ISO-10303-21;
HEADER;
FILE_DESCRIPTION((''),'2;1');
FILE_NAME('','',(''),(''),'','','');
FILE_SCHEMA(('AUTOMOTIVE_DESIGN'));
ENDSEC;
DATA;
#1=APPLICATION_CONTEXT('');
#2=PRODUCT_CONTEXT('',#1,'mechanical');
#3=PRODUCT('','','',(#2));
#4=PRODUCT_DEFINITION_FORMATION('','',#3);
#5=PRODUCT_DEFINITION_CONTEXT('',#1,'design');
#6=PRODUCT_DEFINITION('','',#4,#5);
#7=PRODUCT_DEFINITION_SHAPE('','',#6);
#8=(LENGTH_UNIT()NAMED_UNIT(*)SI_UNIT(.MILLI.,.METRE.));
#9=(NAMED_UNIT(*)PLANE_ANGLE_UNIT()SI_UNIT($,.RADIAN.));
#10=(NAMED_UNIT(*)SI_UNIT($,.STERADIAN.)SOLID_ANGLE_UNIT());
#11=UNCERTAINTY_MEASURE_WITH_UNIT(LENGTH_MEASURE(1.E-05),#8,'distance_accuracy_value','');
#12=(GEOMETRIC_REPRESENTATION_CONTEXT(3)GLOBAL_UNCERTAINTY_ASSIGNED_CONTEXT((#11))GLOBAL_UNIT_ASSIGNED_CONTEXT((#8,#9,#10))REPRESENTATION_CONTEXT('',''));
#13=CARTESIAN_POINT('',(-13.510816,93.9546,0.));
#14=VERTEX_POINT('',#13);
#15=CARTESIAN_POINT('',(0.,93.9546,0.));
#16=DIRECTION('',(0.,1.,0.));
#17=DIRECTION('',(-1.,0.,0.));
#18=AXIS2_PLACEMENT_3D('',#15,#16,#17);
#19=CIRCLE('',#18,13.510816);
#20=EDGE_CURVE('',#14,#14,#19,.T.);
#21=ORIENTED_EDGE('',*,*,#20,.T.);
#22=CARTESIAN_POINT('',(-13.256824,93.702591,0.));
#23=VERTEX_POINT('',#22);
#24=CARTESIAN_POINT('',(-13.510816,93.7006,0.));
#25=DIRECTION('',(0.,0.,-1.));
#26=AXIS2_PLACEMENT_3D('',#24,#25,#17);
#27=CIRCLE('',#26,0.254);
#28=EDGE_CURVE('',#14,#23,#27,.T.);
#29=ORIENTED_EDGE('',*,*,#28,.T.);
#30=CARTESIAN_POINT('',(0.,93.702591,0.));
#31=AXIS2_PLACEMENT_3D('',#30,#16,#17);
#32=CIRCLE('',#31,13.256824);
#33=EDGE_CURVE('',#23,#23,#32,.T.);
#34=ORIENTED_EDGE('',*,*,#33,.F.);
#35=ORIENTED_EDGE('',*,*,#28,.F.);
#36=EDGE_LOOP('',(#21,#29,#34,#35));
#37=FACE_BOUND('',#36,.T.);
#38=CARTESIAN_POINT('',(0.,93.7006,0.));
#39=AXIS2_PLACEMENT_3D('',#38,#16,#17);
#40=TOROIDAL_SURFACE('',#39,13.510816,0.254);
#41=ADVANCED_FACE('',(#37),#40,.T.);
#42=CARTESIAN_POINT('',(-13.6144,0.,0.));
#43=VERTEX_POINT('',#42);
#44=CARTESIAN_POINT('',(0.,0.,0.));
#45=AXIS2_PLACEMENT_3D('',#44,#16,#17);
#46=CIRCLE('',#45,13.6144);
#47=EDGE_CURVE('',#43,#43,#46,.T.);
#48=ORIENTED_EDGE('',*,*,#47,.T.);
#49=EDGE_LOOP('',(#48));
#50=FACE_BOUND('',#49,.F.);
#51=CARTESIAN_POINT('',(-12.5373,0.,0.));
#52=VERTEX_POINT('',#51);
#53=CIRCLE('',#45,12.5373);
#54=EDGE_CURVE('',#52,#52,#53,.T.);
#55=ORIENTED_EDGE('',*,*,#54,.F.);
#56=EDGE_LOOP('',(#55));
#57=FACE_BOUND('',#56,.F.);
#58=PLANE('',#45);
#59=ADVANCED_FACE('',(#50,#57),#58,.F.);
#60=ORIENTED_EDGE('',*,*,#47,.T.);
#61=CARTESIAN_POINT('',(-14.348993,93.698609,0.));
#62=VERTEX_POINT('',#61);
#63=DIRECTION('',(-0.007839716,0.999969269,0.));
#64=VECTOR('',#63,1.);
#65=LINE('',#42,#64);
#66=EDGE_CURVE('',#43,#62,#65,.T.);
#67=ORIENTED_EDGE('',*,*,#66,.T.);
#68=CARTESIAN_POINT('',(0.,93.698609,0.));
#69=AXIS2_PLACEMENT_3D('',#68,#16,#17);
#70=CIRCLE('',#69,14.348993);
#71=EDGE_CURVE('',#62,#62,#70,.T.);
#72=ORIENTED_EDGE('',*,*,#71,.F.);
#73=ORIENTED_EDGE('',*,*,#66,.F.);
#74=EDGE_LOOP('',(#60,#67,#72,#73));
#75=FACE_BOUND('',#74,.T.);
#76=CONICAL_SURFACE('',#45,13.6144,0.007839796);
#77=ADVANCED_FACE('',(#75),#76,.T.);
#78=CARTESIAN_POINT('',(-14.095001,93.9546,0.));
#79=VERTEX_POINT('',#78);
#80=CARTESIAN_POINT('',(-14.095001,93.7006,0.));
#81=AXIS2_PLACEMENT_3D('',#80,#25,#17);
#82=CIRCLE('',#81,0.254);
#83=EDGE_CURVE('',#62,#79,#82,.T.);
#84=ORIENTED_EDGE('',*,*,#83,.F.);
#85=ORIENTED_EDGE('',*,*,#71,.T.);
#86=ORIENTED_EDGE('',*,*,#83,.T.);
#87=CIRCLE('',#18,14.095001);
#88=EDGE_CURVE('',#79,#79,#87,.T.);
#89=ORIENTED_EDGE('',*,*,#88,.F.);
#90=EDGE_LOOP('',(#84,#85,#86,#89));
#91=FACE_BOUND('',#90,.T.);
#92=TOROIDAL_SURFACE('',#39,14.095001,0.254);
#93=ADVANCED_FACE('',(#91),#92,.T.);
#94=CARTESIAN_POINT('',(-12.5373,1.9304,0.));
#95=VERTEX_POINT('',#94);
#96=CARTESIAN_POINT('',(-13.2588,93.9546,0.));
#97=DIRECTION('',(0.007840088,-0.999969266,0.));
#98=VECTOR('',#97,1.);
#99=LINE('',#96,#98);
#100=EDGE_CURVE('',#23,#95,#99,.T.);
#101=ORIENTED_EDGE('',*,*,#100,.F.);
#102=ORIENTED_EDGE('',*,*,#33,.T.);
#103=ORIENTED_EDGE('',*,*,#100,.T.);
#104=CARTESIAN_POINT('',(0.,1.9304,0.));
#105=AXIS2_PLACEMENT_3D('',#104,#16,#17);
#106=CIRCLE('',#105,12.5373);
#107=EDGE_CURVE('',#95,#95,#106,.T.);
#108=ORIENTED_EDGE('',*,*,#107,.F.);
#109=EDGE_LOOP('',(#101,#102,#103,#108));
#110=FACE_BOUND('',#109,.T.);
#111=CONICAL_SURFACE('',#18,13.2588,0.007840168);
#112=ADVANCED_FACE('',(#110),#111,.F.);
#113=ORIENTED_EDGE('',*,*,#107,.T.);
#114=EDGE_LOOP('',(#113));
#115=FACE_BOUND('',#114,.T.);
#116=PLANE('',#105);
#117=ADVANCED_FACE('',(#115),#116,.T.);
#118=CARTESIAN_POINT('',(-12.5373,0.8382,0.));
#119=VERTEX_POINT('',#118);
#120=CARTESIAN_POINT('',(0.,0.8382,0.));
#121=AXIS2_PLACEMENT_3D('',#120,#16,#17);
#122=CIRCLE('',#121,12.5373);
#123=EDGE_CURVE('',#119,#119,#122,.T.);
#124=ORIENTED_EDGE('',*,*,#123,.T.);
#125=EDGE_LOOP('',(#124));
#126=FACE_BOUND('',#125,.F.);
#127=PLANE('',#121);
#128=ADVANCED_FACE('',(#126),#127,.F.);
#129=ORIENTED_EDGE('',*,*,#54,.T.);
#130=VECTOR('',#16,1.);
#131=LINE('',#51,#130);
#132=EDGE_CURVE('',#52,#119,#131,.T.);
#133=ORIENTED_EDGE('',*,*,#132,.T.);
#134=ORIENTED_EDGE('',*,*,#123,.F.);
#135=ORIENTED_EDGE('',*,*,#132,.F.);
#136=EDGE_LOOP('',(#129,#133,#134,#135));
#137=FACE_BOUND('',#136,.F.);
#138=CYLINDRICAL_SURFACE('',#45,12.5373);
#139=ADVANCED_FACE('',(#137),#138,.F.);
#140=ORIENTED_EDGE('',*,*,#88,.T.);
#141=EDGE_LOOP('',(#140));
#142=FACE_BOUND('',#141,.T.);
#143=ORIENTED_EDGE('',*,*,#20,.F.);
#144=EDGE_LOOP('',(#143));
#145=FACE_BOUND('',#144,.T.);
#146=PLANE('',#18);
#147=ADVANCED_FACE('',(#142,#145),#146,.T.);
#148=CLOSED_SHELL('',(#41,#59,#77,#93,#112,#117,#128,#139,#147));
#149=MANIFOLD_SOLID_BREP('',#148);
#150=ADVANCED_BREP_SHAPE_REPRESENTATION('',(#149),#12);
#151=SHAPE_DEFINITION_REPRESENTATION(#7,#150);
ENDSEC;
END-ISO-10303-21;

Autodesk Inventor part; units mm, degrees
ref_plane "YZ Plane" through (0, 0, 0) normal (1, 0, 0) x (0, 1, 0)
ref_plane "XZ Plane" through (0, 0, 0) normal (0, 1, 0) x (-1, 0, 0)
ref_plane "XY Plane" through (0, 0, 0) normal (0, 0, 1) x (1, 0, 0)
sketch "Sketch1" plane through (0, 0, 0) normal (0, 0, 1) x (1, 0, 0)
  line L0 (0, 116.9344) -> (0, -19.4891) projected
  line L1 (-17.2212, 0) -> (2.8702, 0) projected
  line L2 (0, 0) -> (0, 97.4453)
  line L3 (0, 0) -> (-13.6144, 0)
  line L4 (-13.6144, 0) -> (-14.351, 93.9546)
  line L5 (-14.351, 93.9546) -> (-13.2588, 93.9546)
  line L6 (-13.2588, 93.9546) -> (-12.5373, 1.9304)
  line L7 (-12.5373, 0) -> (-12.5373, 0.8382)
  line L8 (-12.5373, 0.8382) -> (0, 0.8382)
  line L9 (-12.5373, 1.9304) -> (0, 1.9304)
  line L10 (0, 1.9304) -> (0, 0.8382)
  dimension "d0" = 27.2288
  dimension "d1" = 28.702
  dimension "d2" = 93.9546
  dimension "d3" = 1.0922
  dimension "d5" = 0.8382
  dimension "d6" = 1.0922
  dimension "d9" = 26.5175
revolve "Revolution1" add sketch "Sketch1" angle 360 about axis through (0, 0, 0) along (0, 1, 0) contours L0 L8 L7 L1 L4 L5 L6 L9
fillet "Fillet1" radius 0.254 2 edges at (13.2588, 93.9546, 0) (14.351, 93.9546, 0)
